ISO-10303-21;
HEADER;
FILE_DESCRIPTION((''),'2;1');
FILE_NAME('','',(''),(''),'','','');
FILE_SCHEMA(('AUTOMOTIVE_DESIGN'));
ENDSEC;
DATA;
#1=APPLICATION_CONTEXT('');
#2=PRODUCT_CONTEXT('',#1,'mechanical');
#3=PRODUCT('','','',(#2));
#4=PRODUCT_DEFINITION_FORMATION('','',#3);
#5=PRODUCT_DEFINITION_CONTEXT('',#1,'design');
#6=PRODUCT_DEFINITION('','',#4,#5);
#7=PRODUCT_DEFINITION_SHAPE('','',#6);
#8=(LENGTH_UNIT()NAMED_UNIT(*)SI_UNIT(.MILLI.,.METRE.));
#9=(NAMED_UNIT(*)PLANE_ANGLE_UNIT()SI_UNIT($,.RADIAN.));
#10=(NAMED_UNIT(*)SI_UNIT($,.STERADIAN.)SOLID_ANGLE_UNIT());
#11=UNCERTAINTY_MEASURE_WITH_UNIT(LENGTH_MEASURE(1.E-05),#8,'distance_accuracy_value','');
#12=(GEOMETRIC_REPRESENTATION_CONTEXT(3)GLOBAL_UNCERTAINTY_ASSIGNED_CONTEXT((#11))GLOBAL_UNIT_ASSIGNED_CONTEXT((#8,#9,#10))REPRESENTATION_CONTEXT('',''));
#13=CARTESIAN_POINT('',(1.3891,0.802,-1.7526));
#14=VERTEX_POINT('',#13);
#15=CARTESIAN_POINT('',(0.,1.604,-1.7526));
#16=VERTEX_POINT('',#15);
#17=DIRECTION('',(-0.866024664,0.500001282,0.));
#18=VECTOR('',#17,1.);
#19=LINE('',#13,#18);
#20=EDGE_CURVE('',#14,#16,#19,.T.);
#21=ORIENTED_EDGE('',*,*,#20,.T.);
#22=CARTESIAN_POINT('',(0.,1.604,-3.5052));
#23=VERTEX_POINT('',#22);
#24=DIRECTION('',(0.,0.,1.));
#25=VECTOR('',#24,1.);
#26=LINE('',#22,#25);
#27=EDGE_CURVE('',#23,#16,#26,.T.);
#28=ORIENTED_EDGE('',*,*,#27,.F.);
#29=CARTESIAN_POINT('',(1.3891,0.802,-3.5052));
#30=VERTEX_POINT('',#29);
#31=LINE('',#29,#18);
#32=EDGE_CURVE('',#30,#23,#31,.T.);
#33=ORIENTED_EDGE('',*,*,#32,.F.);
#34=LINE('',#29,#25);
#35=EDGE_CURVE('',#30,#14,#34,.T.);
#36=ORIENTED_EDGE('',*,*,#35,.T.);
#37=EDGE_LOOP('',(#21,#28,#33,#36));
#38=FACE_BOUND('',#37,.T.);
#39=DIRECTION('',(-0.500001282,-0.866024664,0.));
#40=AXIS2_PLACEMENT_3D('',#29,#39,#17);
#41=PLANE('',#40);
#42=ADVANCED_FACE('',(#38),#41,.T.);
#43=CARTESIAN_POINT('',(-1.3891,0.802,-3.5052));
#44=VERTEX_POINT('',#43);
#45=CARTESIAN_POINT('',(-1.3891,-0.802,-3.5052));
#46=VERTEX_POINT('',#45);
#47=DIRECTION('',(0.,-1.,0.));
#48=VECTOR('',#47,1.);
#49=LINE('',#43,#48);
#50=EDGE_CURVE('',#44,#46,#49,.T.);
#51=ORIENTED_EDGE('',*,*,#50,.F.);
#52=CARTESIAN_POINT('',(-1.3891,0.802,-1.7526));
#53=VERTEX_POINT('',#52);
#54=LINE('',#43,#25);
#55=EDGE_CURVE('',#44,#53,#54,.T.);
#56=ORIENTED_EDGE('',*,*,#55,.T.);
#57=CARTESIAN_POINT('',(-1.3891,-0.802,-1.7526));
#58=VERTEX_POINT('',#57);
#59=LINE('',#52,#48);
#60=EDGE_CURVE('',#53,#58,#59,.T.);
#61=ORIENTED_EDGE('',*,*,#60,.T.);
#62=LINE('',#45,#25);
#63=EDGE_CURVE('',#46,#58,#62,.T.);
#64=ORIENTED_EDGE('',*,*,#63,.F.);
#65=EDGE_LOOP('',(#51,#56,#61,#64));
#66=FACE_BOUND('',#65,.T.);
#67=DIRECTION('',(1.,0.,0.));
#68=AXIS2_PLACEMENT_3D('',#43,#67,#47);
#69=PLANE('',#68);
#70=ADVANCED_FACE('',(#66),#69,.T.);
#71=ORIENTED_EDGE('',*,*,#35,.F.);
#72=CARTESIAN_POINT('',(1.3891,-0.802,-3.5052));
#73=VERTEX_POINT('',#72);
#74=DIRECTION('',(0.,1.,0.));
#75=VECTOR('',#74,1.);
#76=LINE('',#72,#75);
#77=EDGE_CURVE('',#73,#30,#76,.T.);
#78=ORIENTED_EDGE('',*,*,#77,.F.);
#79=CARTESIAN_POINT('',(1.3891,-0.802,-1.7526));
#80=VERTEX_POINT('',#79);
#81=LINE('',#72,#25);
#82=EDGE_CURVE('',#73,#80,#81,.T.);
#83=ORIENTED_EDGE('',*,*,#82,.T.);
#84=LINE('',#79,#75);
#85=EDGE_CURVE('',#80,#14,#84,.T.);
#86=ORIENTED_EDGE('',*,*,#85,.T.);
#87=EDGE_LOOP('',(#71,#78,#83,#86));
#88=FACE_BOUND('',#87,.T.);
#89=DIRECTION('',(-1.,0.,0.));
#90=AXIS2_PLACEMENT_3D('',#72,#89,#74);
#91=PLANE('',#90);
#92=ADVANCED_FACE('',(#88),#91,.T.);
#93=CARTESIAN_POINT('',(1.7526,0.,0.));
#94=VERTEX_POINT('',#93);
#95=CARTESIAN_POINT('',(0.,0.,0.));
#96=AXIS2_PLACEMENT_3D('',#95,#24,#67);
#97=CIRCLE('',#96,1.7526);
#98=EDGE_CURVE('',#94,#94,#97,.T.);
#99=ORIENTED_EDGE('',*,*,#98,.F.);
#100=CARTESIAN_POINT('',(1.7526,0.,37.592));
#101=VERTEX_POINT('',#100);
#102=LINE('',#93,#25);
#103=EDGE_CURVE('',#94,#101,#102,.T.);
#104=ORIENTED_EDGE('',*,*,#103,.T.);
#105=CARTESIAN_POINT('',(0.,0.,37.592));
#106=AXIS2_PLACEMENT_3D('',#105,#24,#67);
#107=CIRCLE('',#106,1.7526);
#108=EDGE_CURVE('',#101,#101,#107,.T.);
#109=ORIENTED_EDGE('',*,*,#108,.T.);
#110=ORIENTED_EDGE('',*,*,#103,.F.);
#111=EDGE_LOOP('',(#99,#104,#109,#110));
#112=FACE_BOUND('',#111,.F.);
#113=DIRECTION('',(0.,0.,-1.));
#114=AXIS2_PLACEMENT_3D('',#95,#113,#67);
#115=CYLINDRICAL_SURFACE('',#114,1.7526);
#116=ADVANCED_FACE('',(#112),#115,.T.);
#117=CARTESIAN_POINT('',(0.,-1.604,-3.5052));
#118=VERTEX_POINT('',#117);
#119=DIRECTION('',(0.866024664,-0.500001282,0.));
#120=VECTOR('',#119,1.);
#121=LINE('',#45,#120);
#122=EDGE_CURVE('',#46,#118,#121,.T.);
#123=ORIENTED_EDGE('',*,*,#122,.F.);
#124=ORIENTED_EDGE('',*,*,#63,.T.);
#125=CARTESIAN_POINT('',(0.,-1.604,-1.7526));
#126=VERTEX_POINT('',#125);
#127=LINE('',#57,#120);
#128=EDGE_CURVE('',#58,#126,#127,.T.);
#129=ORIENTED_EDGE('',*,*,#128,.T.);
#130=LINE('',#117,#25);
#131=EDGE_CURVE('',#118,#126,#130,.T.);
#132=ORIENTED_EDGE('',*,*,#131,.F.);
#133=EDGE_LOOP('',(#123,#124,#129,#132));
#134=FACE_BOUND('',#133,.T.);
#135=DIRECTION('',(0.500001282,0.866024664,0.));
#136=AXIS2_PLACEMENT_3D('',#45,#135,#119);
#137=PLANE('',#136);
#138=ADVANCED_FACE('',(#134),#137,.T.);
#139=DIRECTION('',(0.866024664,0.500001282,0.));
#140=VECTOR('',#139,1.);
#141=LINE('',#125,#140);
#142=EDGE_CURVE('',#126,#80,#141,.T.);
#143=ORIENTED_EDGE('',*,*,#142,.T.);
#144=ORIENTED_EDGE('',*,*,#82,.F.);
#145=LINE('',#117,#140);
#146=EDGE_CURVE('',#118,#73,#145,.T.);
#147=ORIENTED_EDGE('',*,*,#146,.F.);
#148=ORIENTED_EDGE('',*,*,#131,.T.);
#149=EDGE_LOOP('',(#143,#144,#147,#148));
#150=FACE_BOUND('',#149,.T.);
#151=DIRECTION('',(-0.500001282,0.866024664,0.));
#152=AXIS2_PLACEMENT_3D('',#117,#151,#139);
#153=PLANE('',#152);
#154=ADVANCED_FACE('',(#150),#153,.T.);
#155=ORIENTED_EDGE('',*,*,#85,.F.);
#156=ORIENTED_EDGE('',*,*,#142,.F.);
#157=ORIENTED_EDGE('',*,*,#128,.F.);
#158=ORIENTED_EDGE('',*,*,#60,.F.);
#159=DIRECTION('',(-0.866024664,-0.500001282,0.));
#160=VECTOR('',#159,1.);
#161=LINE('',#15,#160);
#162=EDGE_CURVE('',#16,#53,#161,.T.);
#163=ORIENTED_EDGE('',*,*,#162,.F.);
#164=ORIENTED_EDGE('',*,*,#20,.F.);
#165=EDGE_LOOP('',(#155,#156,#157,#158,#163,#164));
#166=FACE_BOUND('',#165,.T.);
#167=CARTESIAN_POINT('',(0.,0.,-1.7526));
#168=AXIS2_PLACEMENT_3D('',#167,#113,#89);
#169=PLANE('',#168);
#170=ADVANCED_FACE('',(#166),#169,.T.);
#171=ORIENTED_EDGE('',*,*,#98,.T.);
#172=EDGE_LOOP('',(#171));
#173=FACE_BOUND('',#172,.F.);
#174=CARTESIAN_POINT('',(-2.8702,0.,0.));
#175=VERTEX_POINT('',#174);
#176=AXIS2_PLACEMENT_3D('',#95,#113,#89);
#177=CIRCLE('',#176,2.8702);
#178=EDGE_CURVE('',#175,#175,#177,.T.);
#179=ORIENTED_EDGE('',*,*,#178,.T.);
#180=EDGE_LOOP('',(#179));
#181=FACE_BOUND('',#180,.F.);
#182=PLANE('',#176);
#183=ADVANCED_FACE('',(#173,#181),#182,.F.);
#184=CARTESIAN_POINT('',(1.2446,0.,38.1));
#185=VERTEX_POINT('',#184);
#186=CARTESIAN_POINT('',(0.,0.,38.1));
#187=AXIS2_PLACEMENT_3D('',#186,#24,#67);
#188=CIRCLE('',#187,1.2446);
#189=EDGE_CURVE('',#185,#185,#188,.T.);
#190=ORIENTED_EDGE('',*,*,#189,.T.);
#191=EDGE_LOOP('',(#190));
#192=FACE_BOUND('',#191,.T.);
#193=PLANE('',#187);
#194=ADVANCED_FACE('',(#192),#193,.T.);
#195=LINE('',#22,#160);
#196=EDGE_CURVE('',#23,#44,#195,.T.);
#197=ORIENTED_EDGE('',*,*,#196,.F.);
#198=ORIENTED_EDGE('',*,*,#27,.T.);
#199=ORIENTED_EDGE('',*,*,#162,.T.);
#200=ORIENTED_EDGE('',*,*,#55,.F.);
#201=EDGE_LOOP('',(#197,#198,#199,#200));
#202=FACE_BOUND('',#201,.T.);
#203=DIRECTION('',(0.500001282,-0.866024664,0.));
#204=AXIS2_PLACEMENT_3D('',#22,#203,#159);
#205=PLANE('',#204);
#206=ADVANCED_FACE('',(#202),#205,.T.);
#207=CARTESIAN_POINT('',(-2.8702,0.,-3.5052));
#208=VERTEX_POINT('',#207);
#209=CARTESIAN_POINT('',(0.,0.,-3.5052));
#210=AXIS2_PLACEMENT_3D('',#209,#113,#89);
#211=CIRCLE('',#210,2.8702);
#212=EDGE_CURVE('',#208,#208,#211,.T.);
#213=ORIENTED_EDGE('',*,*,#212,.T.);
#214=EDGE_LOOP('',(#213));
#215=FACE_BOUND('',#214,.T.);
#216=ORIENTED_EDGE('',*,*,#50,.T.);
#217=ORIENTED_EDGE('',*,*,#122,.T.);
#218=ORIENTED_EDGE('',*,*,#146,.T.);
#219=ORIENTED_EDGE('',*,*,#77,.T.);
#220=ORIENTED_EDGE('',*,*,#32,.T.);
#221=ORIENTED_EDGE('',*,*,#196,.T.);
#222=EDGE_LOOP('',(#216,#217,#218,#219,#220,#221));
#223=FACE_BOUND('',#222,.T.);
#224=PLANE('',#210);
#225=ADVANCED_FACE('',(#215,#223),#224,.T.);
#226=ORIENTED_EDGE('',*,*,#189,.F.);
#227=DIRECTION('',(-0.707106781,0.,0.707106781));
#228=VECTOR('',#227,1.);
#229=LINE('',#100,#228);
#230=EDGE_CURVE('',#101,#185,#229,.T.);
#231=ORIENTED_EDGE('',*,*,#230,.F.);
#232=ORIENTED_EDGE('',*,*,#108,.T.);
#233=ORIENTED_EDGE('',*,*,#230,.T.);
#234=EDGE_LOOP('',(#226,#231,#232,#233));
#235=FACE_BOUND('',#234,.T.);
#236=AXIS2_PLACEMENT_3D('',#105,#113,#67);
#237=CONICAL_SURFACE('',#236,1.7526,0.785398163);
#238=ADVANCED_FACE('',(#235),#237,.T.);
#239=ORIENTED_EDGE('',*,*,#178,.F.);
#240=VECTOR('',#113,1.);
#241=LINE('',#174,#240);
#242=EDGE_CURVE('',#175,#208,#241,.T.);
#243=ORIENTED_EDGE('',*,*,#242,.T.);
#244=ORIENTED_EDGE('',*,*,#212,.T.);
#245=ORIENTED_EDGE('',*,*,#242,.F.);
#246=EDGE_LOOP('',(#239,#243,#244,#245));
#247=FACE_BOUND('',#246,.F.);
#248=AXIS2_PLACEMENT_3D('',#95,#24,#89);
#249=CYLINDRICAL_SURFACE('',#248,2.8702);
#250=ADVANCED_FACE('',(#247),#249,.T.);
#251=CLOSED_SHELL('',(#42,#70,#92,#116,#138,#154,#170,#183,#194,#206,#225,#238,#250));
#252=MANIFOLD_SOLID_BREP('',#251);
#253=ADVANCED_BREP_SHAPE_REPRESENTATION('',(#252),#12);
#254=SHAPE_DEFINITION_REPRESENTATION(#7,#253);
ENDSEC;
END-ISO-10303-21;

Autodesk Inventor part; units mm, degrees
ref_plane "YZ Plane" through (0, 0, 0) normal (1, 0, 0) x (0, 1, 0)
ref_plane "XZ Plane" through (0, 0, 0) normal (0, 1, 0) x (-1, 0, 0)
ref_plane "XY Plane" through (0, 0, 0) normal (0, 0, 1) x (1, 0, 0)
sketch "Sketch1" plane through (0, 0, 0) normal (0, 0, 1) x (1, 0, 0)
  circle A0 centre (0, 0) radius 1.7526
  dimension "d0" = 3.5052
extrude "Extrusion1" add sketch "Sketch1" along normal blind 38.1
sketch "Sketch2" plane through (0, 0, 0) normal (0, 0, -1) x (-1, 0, 0)
  circle A0 centre (0, 0) radius 1.7526 construction
  circle A1 centre (0, 0) radius 2.8702
  dimension "d3" = 5.7404
extrude "Extrusion2" add sketch "Sketch2" along normal blind 3.5052
sketch "Sketch3" plane through (0, 0, -3.5052) normal (0, 0, -1) x (-1, 0, 0)
  circle A0 centre (0, 0) radius 2.8702 projected
  line L0 (0, 1.604) -> (1.3891, 0.802)
  line L1 (1.3891, 0.802) -> (1.3891, -0.802)
  line L2 (1.3891, -0.802) -> (0, -1.604)
  line L3 (0, -1.604) -> (-1.3891, -0.802)
  line L4 (-1.3891, -0.802) -> (-1.3891, 0.802)
  line L5 (-1.3891, 0.802) -> (0, 1.604)
  dimension "d6" = 2.7781
extrude "Extrusion3" cut sketch "Sketch3" against normal blind 1.7526 contours L0 L1 L2 L3 L4 L5
chamfer "Chamfer1" distance 0.508 angle 45 1 edges at (-1.7526, 0, 38.1)
thread "Thread2" size "6-32 UNC" class "2A" standard "ANSI Unified Screw Threads" length 25.4
properties part number "6-32 SHCS x1500" material "Stainless Steel"
